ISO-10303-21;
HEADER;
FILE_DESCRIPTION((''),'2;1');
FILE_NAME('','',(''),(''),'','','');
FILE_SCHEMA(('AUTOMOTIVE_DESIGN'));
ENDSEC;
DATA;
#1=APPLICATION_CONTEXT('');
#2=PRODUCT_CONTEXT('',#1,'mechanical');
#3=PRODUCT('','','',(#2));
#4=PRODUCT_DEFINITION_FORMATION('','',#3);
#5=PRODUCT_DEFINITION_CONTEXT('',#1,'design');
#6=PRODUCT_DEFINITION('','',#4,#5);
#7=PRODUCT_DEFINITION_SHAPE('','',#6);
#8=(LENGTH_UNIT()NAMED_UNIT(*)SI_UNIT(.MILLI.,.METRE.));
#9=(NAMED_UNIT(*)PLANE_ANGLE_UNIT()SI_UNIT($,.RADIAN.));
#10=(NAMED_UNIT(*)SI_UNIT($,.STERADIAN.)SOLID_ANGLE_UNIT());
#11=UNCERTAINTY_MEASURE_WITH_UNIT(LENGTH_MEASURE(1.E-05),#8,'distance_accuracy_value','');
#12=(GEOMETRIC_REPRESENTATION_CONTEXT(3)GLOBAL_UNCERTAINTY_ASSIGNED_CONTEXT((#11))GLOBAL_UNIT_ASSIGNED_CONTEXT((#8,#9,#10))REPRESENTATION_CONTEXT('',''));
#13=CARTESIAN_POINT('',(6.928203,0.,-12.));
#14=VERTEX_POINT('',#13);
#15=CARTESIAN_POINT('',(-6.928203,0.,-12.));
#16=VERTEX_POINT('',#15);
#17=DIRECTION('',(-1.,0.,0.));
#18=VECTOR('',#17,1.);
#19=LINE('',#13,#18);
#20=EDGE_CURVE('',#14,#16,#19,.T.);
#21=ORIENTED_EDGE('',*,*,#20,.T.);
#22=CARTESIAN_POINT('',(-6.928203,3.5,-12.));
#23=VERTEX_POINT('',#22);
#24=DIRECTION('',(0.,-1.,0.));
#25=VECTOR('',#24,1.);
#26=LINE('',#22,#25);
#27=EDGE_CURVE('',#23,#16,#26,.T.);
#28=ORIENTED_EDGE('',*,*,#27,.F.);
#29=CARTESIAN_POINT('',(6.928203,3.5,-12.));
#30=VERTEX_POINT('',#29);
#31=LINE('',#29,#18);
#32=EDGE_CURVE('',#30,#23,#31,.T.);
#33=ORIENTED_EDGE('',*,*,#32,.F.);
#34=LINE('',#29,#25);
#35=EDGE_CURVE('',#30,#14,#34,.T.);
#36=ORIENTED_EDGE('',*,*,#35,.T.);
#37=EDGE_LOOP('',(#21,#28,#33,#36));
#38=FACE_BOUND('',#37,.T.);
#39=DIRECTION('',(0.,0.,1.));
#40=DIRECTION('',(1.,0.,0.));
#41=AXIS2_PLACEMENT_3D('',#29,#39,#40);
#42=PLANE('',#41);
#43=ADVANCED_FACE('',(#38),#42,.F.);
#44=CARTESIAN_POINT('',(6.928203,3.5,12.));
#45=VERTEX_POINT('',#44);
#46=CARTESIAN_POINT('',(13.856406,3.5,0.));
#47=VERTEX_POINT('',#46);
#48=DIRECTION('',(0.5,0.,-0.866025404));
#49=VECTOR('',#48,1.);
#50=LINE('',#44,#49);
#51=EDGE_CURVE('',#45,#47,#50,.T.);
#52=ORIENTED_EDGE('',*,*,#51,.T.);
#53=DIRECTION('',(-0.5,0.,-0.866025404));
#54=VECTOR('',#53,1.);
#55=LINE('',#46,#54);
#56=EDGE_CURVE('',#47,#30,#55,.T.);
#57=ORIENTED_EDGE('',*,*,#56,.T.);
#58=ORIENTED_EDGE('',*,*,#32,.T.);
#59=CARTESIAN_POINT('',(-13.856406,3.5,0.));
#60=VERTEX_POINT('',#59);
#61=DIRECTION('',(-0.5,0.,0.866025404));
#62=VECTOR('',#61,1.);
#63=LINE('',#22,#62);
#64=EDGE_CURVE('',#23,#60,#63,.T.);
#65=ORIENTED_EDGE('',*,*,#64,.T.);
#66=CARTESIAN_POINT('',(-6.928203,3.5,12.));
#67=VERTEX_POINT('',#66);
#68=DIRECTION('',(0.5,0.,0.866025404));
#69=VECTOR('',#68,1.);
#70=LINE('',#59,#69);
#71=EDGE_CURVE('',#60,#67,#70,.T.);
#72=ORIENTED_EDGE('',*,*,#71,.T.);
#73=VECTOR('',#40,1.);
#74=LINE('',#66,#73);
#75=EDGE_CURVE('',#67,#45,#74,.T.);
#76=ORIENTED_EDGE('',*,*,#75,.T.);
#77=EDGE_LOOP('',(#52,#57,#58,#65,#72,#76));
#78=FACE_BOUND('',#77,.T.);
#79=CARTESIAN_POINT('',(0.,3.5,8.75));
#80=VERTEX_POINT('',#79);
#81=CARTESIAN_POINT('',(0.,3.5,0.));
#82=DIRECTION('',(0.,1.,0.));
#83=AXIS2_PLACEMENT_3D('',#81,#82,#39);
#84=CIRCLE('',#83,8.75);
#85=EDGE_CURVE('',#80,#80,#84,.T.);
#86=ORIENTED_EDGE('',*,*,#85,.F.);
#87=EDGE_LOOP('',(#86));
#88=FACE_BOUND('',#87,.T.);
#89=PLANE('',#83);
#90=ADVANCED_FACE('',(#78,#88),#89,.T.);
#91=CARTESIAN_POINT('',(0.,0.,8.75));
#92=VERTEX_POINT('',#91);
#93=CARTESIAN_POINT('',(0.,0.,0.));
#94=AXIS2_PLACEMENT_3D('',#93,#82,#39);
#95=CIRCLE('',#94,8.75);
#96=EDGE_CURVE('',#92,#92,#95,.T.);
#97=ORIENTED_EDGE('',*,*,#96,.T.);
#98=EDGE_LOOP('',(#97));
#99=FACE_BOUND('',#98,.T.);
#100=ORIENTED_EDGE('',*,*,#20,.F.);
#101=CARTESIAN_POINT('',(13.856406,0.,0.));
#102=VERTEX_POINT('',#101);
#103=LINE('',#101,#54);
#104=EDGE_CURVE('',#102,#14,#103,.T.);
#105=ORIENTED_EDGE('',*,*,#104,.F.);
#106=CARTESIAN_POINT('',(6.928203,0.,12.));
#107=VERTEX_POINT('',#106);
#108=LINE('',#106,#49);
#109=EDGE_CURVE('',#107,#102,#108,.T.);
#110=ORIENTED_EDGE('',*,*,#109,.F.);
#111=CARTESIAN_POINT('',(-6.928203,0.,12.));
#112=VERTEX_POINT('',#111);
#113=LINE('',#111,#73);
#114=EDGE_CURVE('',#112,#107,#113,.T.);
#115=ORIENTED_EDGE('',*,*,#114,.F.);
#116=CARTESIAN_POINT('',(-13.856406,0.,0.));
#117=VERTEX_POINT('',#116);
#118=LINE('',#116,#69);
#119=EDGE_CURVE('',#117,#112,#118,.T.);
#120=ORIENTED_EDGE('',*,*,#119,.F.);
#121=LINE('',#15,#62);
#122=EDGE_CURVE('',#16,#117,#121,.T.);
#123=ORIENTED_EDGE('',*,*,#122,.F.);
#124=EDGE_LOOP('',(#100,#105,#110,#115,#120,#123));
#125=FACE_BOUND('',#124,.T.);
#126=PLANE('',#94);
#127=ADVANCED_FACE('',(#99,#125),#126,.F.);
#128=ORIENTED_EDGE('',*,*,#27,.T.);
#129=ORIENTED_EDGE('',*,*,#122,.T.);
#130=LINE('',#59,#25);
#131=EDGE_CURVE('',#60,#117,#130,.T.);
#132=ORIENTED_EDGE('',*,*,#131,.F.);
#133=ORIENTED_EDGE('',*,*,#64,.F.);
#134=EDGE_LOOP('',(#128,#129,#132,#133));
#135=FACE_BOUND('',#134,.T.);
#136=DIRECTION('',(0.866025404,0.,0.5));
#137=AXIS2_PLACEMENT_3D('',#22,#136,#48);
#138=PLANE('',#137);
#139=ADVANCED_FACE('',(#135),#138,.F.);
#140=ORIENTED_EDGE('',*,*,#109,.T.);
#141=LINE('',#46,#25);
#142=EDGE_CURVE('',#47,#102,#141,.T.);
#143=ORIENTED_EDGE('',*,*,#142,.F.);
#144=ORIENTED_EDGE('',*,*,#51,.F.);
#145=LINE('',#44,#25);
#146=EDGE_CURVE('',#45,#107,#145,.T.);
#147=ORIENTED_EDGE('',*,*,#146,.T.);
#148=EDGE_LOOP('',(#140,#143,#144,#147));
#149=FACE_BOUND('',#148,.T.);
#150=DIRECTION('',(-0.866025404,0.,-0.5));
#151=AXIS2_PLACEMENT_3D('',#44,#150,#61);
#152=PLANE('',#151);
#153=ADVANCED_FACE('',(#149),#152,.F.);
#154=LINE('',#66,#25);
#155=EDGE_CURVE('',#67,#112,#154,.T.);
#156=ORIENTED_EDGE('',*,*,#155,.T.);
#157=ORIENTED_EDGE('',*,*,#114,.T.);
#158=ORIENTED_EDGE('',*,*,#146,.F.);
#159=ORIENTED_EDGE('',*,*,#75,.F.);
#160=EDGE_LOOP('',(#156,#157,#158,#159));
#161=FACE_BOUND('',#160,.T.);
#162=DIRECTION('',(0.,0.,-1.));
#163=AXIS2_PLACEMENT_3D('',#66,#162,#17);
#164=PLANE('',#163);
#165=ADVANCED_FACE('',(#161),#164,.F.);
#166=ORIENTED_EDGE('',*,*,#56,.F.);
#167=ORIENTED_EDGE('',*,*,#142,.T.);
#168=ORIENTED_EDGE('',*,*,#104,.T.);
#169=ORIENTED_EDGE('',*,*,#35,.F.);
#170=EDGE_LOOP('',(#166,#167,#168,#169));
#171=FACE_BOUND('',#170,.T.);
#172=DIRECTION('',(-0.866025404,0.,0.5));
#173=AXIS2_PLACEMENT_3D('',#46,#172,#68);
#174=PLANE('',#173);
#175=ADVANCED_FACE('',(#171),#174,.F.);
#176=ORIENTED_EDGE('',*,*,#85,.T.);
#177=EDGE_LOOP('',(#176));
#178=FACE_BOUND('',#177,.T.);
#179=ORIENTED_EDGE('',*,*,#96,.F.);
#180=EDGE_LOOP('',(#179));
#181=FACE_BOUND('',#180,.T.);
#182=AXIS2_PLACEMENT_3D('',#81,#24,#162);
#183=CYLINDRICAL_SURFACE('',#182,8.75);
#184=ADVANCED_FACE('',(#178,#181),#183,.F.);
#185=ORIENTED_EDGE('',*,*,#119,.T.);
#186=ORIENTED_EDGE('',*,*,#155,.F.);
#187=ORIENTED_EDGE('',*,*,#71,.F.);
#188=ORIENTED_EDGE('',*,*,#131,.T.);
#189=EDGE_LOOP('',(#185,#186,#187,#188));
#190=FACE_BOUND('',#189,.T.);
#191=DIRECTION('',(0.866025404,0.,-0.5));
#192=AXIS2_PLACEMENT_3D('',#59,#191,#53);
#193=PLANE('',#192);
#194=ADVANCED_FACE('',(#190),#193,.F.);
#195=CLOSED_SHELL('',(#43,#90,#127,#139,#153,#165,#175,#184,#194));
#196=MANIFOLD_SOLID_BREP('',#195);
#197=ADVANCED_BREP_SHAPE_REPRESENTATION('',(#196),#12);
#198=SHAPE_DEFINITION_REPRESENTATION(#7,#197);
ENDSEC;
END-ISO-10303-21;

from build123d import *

# Parameters (mm, degrees)
SKETCH3_R           = 8.75
BOSS_EXTRUDE2_DEPTH = 3.5


with BuildPart() as part:
    # Sketch3 → Boss-Extrude2 (new body)
    with BuildSketch(Plane(origin=(0, 0, 0), x_dir=(1, 0, 0), z_dir=(0, 1, 0))):
        Polygon((-6.92820323, -12), (6.92820323, -12), (13.856406461, 0), (6.92820323, 12), (-6.92820323, 12), (-13.856406461, 0), align=None)
        Circle(SKETCH3_R, mode=Mode.SUBTRACT)
    extrude(amount=BOSS_EXTRUDE2_DEPTH)


solid = part.part
